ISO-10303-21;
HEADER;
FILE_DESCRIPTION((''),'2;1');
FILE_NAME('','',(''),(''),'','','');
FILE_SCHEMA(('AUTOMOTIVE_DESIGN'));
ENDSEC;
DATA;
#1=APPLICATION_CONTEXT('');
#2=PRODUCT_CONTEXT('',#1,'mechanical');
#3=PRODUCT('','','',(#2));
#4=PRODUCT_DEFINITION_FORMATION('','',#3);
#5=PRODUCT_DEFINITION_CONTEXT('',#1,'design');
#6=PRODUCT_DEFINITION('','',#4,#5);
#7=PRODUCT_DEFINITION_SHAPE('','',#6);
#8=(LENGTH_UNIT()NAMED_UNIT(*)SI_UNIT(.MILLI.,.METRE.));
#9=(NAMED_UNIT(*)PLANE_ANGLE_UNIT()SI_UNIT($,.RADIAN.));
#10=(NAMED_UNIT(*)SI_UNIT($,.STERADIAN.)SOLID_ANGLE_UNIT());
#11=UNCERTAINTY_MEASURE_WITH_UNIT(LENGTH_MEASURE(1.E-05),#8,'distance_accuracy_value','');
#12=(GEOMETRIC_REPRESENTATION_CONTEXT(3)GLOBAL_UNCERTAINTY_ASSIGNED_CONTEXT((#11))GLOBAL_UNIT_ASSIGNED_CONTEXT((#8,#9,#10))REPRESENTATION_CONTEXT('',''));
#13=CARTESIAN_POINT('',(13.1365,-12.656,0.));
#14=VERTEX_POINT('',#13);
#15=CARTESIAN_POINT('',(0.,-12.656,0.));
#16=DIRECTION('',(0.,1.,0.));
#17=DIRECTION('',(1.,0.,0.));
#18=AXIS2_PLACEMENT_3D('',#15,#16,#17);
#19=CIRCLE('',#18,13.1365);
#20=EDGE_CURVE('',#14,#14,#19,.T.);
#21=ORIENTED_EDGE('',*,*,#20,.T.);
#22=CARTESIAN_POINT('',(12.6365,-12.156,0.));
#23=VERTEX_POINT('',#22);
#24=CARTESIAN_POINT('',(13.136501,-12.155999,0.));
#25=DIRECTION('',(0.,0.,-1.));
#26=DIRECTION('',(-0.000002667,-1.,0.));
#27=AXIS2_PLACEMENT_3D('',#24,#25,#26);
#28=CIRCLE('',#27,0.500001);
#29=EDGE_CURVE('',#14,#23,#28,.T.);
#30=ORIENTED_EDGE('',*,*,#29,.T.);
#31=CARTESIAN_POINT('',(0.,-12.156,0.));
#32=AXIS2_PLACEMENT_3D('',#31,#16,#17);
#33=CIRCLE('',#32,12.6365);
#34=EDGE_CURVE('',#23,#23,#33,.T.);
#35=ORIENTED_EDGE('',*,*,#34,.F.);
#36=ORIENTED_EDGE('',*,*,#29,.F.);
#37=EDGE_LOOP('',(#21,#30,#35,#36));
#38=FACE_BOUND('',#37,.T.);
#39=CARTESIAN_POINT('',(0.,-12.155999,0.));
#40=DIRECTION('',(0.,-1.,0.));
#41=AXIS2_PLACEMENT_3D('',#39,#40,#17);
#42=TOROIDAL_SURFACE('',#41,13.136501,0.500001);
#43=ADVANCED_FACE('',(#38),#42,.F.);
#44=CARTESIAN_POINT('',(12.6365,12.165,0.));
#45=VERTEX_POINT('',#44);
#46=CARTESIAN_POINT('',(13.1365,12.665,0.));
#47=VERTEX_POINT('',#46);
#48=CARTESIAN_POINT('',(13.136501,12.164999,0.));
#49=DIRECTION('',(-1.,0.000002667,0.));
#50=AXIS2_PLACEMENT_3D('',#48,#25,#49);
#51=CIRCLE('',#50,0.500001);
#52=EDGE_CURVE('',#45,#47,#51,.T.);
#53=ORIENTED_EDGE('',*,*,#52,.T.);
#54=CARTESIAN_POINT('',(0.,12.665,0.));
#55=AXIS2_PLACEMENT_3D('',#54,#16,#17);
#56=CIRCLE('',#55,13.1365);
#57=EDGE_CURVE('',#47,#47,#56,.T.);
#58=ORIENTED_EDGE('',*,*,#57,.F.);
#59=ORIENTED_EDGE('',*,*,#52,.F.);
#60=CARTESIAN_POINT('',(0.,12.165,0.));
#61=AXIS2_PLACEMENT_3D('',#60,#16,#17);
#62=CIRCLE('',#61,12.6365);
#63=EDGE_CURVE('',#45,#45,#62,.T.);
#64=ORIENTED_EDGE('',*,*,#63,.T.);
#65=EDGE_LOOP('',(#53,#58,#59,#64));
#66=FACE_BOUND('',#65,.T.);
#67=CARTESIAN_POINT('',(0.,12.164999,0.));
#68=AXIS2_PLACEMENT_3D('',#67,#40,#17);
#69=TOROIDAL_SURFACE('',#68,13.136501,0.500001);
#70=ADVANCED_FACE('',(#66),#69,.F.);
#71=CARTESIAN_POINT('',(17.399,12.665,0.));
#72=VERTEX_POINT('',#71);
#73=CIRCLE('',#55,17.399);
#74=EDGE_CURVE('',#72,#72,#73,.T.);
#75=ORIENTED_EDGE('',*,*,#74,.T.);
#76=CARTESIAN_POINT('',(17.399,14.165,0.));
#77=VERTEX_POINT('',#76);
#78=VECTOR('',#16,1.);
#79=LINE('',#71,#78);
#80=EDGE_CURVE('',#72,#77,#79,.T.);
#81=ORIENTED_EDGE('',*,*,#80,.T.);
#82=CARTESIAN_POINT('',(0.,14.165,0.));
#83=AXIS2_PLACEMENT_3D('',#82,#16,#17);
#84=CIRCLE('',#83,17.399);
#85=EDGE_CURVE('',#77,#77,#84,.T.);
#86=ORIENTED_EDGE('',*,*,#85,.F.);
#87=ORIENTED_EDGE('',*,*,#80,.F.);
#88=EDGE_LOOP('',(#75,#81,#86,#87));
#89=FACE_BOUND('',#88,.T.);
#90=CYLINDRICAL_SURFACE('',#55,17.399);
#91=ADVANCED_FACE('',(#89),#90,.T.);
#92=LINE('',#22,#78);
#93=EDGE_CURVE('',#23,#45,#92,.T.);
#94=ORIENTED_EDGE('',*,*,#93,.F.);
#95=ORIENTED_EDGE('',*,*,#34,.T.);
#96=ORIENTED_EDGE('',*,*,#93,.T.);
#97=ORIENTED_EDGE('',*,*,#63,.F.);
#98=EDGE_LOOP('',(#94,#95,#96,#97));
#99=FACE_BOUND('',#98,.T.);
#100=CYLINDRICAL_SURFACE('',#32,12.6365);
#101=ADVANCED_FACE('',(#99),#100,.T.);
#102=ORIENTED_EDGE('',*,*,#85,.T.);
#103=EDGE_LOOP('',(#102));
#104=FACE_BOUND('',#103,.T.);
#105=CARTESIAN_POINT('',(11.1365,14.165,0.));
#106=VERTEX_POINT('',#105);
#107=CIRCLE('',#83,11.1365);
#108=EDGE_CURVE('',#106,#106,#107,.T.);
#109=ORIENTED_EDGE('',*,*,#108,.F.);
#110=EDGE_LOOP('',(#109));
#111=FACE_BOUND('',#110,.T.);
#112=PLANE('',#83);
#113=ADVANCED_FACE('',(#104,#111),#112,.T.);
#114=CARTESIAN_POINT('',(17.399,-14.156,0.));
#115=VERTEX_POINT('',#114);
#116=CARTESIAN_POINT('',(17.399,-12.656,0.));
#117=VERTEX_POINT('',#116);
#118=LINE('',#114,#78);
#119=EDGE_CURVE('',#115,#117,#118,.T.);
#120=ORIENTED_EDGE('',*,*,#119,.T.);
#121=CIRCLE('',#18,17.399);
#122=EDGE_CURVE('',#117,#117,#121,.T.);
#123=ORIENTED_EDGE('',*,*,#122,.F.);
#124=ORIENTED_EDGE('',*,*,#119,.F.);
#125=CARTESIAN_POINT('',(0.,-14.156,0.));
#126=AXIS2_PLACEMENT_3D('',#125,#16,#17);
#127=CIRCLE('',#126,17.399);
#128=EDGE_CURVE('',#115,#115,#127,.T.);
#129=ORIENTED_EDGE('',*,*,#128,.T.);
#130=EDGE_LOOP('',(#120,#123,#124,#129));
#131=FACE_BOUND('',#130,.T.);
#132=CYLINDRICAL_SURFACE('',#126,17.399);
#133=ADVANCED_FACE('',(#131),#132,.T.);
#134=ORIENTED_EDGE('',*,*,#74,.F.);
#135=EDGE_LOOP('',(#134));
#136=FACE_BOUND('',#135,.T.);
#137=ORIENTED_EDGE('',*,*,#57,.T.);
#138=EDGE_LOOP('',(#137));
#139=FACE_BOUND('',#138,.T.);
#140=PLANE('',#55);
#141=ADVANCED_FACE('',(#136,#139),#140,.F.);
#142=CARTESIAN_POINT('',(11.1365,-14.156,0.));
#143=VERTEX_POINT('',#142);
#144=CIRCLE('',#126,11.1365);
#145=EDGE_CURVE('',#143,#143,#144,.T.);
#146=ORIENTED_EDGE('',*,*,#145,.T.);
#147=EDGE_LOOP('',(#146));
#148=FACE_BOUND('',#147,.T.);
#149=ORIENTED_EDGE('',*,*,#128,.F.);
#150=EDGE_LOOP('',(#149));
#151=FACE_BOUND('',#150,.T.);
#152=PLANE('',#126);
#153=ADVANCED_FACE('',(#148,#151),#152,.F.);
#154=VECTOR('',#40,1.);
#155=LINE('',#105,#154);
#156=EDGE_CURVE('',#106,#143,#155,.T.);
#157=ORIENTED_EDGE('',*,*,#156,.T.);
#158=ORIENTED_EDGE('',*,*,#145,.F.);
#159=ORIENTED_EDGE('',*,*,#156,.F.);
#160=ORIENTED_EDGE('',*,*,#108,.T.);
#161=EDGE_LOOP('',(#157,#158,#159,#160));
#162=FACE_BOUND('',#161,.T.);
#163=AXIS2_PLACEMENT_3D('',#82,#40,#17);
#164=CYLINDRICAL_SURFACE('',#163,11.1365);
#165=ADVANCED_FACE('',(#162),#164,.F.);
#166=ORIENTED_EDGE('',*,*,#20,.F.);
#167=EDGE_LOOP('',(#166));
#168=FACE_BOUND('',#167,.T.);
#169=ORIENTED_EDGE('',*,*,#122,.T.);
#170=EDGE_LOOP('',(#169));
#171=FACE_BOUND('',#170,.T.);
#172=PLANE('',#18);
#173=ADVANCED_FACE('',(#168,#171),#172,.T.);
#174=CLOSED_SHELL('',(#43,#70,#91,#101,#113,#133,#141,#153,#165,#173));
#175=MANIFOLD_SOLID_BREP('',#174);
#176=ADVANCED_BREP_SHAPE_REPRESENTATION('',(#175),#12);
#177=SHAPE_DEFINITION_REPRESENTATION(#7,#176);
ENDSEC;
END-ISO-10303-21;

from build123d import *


with BuildPart() as f1:
    # F0 (on Top) → F1 (revolve)
    with BuildSketch(Plane.XY):
        with BuildLine():
            Line((13.1365, 12.665), (17.399, 12.665))
            Line((17.399, 12.665), (17.399, 14.165))
            Line((17.399, 14.165), (11.1365, 14.165))
            Line((11.1365, 14.165), (11.1365, -14.156))
            Line((11.1365, -14.156), (17.399, -14.156))
            Line((17.399, -14.156), (17.399, -12.656))
            Line((17.399, -12.656), (13.1365, -12.656))
            ThreePointArc((13.1365, -12.656), (12.782947, -12.509553), (12.6365, -12.156))
            Line((12.6365, -12.156), (12.6365, 12.165))
            ThreePointArc((12.6365, 12.165), (12.782947, 12.518553), (13.1365, 12.665))
        make_face()
    revolve(axis=Axis((0, 2.854013, 0), (0, 1, 0)))


solid = f1.part
